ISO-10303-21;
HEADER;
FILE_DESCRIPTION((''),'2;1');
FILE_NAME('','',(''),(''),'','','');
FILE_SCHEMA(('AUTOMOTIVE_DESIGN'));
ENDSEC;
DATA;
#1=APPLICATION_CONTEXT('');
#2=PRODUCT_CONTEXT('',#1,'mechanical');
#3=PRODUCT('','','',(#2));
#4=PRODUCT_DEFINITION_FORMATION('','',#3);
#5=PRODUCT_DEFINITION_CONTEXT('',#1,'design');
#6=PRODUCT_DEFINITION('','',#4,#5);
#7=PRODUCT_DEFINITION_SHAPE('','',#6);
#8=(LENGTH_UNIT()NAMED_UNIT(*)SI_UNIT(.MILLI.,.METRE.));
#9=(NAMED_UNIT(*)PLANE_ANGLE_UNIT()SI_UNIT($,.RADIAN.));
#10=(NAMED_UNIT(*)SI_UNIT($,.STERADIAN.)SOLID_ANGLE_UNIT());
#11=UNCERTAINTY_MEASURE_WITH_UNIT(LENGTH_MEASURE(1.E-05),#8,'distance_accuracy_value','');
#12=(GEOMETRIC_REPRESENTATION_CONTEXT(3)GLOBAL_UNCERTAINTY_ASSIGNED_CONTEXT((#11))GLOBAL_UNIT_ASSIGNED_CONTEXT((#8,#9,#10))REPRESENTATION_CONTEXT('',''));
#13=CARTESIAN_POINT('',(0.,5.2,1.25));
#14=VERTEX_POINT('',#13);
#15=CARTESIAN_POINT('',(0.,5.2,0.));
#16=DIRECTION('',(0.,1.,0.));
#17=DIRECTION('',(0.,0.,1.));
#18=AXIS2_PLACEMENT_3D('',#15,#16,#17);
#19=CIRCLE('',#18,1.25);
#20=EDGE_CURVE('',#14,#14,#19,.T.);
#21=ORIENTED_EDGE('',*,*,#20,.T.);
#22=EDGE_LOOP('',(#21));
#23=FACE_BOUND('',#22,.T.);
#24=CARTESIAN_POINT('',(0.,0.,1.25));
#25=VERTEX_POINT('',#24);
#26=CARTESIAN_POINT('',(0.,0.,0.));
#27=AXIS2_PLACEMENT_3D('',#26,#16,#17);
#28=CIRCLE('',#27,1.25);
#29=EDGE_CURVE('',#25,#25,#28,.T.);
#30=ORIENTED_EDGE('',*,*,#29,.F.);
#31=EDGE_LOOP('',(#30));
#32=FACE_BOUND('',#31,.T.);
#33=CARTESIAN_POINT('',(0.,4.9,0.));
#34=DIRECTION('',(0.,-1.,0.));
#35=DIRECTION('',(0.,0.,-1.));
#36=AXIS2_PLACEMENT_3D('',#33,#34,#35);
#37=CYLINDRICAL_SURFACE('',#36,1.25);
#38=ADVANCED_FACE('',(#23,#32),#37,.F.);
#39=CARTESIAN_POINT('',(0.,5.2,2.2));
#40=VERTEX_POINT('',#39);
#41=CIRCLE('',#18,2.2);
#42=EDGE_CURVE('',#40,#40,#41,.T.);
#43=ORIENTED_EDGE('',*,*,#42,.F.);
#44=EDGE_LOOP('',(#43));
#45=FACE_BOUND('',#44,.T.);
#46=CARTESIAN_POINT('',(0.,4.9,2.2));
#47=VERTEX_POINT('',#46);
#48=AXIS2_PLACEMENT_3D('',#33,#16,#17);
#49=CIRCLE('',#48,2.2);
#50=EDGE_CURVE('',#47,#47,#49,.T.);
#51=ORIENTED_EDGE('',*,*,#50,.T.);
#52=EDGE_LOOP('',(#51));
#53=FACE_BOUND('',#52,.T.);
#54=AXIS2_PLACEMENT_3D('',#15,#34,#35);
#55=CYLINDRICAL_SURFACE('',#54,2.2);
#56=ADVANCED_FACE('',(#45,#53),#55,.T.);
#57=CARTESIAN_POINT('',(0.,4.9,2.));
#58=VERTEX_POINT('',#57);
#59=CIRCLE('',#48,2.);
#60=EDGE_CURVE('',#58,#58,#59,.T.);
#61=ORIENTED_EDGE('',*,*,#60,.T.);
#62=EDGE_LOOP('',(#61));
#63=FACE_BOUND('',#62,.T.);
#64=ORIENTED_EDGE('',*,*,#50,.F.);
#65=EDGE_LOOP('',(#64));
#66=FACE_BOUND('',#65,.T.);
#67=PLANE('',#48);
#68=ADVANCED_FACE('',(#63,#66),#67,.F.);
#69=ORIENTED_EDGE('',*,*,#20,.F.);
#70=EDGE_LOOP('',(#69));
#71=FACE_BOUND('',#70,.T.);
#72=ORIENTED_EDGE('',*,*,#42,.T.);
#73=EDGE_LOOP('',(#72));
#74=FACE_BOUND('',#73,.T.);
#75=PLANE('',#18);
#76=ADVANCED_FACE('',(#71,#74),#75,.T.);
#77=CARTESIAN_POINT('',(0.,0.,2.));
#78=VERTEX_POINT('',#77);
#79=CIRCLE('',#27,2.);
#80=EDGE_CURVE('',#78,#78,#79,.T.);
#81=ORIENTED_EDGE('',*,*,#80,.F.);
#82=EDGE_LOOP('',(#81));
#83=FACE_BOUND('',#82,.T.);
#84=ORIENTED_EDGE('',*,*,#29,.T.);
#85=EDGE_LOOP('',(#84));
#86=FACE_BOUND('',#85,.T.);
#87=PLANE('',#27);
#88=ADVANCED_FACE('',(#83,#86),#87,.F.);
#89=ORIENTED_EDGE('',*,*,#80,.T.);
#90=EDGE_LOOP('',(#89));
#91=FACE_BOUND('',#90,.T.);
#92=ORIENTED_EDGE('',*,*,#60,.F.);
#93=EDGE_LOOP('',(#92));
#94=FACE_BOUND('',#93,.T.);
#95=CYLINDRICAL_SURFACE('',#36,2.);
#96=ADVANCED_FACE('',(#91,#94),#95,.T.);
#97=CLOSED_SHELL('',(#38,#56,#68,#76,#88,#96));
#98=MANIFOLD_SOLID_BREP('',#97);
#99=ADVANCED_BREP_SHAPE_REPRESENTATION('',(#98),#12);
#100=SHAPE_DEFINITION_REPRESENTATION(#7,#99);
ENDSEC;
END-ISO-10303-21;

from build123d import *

# Parameters (mm, degrees)
SKIZZE1_R                       = 2
SKIZZE1_R_2                     = 1.25
AUFSATZ_LINEAR_AUSTRAGEN1_DEPTH = 4.9
SKIZZE2_R                       = 2.2
SKIZZE2_R_2                     = 1.25
AUFSATZ_LINEAR_AUSTRAGEN2_DEPTH = 0.3


with BuildPart() as part:
    # Skizze1 → Aufsatz-Linear austragen1 (new body)
    with BuildSketch(Plane(origin=(0, 0, 0), x_dir=(1, 0, 0), z_dir=(0, 1, 0))):
        Circle(SKIZZE1_R)
        Circle(SKIZZE1_R_2, mode=Mode.SUBTRACT)
    extrude(amount=AUFSATZ_LINEAR_AUSTRAGEN1_DEPTH)

    # Skizze2 → Aufsatz-Linear austragen2 (add)
    with BuildSketch(Plane(origin=(0, 4.9, 0), x_dir=(1, 0, 0), z_dir=(0, 1, 0))):
        Circle(SKIZZE2_R)
        Circle(SKIZZE2_R_2, mode=Mode.SUBTRACT)
    extrude(amount=AUFSATZ_LINEAR_AUSTRAGEN2_DEPTH)


solid = part.part
